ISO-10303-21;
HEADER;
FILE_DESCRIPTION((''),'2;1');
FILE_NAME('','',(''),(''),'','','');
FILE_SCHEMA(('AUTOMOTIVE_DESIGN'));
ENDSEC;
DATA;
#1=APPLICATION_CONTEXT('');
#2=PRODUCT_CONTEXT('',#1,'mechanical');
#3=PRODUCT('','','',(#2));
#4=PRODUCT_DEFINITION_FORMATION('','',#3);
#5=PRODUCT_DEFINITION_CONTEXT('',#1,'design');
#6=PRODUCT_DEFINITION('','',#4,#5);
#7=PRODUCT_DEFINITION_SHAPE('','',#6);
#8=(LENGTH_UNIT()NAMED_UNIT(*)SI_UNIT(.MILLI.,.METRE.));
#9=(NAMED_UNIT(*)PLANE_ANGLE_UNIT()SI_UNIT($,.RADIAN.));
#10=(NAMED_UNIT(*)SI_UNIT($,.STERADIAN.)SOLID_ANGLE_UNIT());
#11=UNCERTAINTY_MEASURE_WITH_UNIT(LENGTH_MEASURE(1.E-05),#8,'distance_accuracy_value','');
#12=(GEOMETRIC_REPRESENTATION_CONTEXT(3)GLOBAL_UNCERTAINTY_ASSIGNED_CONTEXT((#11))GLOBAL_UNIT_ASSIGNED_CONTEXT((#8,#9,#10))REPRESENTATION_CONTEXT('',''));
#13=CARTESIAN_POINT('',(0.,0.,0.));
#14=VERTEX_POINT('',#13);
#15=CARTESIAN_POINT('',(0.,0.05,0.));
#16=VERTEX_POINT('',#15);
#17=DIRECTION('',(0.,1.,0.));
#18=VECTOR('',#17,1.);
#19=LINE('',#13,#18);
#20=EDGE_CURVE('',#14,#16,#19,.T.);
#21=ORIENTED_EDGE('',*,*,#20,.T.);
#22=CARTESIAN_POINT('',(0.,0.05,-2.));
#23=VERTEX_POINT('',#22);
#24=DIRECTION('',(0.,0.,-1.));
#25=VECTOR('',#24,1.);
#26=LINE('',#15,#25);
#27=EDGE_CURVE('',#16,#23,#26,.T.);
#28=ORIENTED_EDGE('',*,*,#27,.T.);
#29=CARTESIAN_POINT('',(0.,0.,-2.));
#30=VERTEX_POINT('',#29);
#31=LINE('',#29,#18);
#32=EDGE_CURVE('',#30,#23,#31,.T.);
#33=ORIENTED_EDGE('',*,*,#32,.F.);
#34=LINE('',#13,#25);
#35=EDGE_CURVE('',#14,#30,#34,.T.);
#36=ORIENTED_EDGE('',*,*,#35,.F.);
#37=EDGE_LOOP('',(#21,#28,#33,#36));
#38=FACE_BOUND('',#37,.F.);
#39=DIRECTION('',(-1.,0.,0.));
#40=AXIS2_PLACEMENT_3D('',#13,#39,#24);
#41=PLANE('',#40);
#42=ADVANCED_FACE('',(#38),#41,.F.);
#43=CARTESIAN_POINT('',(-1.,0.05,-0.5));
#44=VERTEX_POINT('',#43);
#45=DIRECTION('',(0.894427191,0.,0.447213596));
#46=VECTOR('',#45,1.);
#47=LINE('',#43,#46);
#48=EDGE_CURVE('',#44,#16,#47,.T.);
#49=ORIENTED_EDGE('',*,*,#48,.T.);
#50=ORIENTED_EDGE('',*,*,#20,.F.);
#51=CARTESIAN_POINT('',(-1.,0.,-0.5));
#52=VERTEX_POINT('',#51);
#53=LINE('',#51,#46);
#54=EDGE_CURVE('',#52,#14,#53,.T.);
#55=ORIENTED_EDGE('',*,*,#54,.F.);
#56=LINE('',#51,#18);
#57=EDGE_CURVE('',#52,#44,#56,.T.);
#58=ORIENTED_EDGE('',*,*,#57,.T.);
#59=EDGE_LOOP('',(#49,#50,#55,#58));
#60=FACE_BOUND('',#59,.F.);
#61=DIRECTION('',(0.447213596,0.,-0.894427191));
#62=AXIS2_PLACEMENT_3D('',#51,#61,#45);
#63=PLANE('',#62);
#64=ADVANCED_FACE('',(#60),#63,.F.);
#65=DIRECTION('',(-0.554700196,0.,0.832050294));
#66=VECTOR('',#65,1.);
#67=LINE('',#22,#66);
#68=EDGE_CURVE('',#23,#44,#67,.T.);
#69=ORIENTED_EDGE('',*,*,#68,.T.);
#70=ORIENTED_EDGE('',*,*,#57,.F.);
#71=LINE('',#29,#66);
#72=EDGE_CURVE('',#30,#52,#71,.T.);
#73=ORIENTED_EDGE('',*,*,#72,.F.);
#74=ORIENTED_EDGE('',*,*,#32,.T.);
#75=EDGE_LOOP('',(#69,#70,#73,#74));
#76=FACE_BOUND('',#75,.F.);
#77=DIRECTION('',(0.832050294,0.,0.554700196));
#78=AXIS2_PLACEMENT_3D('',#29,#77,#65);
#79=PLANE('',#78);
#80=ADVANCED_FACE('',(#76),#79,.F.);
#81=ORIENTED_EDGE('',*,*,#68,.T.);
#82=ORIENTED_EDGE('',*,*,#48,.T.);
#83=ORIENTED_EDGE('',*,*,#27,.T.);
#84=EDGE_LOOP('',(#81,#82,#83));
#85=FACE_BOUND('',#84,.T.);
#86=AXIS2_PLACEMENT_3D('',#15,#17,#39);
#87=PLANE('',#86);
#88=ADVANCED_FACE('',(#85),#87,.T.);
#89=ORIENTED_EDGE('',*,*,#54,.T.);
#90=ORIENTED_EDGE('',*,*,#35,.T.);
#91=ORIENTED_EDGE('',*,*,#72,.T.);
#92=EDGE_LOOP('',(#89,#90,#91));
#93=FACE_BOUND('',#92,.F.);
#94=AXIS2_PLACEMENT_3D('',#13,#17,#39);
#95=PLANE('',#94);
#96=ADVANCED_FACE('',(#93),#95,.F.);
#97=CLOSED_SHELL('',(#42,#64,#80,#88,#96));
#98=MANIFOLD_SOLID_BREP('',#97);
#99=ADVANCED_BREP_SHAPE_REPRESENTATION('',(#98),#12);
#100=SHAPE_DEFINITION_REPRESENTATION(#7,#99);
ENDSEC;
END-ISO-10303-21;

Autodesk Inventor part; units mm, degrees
ref_plane "YZ Plane" through (0, 0, 0) normal (1, 0, 0) x (0, 1, 0)
ref_plane "XZ Plane" through (0, 0, 0) normal (0, 1, 0) x (-1, 0, 0)
ref_plane "XY Plane" through (0, 0, 0) normal (0, 0, 1) x (1, 0, 0)
sketch "Sketch1" plane through (0, 0, 0) normal (0, 1, 0) x (-1, 0, 0)
  line L0 (0, 0) -> (0, -2)
  line L1 (0, -2) -> (1, -0.5)
  line L2 (1, -0.5) -> (0, 0)
  dimension "d0" = 2
  dimension "d1" = 1
  dimension "d2" = 1.5
extrude "Extrusion1" add sketch "Sketch1" along normal blind 0.05
properties part number "marker"
